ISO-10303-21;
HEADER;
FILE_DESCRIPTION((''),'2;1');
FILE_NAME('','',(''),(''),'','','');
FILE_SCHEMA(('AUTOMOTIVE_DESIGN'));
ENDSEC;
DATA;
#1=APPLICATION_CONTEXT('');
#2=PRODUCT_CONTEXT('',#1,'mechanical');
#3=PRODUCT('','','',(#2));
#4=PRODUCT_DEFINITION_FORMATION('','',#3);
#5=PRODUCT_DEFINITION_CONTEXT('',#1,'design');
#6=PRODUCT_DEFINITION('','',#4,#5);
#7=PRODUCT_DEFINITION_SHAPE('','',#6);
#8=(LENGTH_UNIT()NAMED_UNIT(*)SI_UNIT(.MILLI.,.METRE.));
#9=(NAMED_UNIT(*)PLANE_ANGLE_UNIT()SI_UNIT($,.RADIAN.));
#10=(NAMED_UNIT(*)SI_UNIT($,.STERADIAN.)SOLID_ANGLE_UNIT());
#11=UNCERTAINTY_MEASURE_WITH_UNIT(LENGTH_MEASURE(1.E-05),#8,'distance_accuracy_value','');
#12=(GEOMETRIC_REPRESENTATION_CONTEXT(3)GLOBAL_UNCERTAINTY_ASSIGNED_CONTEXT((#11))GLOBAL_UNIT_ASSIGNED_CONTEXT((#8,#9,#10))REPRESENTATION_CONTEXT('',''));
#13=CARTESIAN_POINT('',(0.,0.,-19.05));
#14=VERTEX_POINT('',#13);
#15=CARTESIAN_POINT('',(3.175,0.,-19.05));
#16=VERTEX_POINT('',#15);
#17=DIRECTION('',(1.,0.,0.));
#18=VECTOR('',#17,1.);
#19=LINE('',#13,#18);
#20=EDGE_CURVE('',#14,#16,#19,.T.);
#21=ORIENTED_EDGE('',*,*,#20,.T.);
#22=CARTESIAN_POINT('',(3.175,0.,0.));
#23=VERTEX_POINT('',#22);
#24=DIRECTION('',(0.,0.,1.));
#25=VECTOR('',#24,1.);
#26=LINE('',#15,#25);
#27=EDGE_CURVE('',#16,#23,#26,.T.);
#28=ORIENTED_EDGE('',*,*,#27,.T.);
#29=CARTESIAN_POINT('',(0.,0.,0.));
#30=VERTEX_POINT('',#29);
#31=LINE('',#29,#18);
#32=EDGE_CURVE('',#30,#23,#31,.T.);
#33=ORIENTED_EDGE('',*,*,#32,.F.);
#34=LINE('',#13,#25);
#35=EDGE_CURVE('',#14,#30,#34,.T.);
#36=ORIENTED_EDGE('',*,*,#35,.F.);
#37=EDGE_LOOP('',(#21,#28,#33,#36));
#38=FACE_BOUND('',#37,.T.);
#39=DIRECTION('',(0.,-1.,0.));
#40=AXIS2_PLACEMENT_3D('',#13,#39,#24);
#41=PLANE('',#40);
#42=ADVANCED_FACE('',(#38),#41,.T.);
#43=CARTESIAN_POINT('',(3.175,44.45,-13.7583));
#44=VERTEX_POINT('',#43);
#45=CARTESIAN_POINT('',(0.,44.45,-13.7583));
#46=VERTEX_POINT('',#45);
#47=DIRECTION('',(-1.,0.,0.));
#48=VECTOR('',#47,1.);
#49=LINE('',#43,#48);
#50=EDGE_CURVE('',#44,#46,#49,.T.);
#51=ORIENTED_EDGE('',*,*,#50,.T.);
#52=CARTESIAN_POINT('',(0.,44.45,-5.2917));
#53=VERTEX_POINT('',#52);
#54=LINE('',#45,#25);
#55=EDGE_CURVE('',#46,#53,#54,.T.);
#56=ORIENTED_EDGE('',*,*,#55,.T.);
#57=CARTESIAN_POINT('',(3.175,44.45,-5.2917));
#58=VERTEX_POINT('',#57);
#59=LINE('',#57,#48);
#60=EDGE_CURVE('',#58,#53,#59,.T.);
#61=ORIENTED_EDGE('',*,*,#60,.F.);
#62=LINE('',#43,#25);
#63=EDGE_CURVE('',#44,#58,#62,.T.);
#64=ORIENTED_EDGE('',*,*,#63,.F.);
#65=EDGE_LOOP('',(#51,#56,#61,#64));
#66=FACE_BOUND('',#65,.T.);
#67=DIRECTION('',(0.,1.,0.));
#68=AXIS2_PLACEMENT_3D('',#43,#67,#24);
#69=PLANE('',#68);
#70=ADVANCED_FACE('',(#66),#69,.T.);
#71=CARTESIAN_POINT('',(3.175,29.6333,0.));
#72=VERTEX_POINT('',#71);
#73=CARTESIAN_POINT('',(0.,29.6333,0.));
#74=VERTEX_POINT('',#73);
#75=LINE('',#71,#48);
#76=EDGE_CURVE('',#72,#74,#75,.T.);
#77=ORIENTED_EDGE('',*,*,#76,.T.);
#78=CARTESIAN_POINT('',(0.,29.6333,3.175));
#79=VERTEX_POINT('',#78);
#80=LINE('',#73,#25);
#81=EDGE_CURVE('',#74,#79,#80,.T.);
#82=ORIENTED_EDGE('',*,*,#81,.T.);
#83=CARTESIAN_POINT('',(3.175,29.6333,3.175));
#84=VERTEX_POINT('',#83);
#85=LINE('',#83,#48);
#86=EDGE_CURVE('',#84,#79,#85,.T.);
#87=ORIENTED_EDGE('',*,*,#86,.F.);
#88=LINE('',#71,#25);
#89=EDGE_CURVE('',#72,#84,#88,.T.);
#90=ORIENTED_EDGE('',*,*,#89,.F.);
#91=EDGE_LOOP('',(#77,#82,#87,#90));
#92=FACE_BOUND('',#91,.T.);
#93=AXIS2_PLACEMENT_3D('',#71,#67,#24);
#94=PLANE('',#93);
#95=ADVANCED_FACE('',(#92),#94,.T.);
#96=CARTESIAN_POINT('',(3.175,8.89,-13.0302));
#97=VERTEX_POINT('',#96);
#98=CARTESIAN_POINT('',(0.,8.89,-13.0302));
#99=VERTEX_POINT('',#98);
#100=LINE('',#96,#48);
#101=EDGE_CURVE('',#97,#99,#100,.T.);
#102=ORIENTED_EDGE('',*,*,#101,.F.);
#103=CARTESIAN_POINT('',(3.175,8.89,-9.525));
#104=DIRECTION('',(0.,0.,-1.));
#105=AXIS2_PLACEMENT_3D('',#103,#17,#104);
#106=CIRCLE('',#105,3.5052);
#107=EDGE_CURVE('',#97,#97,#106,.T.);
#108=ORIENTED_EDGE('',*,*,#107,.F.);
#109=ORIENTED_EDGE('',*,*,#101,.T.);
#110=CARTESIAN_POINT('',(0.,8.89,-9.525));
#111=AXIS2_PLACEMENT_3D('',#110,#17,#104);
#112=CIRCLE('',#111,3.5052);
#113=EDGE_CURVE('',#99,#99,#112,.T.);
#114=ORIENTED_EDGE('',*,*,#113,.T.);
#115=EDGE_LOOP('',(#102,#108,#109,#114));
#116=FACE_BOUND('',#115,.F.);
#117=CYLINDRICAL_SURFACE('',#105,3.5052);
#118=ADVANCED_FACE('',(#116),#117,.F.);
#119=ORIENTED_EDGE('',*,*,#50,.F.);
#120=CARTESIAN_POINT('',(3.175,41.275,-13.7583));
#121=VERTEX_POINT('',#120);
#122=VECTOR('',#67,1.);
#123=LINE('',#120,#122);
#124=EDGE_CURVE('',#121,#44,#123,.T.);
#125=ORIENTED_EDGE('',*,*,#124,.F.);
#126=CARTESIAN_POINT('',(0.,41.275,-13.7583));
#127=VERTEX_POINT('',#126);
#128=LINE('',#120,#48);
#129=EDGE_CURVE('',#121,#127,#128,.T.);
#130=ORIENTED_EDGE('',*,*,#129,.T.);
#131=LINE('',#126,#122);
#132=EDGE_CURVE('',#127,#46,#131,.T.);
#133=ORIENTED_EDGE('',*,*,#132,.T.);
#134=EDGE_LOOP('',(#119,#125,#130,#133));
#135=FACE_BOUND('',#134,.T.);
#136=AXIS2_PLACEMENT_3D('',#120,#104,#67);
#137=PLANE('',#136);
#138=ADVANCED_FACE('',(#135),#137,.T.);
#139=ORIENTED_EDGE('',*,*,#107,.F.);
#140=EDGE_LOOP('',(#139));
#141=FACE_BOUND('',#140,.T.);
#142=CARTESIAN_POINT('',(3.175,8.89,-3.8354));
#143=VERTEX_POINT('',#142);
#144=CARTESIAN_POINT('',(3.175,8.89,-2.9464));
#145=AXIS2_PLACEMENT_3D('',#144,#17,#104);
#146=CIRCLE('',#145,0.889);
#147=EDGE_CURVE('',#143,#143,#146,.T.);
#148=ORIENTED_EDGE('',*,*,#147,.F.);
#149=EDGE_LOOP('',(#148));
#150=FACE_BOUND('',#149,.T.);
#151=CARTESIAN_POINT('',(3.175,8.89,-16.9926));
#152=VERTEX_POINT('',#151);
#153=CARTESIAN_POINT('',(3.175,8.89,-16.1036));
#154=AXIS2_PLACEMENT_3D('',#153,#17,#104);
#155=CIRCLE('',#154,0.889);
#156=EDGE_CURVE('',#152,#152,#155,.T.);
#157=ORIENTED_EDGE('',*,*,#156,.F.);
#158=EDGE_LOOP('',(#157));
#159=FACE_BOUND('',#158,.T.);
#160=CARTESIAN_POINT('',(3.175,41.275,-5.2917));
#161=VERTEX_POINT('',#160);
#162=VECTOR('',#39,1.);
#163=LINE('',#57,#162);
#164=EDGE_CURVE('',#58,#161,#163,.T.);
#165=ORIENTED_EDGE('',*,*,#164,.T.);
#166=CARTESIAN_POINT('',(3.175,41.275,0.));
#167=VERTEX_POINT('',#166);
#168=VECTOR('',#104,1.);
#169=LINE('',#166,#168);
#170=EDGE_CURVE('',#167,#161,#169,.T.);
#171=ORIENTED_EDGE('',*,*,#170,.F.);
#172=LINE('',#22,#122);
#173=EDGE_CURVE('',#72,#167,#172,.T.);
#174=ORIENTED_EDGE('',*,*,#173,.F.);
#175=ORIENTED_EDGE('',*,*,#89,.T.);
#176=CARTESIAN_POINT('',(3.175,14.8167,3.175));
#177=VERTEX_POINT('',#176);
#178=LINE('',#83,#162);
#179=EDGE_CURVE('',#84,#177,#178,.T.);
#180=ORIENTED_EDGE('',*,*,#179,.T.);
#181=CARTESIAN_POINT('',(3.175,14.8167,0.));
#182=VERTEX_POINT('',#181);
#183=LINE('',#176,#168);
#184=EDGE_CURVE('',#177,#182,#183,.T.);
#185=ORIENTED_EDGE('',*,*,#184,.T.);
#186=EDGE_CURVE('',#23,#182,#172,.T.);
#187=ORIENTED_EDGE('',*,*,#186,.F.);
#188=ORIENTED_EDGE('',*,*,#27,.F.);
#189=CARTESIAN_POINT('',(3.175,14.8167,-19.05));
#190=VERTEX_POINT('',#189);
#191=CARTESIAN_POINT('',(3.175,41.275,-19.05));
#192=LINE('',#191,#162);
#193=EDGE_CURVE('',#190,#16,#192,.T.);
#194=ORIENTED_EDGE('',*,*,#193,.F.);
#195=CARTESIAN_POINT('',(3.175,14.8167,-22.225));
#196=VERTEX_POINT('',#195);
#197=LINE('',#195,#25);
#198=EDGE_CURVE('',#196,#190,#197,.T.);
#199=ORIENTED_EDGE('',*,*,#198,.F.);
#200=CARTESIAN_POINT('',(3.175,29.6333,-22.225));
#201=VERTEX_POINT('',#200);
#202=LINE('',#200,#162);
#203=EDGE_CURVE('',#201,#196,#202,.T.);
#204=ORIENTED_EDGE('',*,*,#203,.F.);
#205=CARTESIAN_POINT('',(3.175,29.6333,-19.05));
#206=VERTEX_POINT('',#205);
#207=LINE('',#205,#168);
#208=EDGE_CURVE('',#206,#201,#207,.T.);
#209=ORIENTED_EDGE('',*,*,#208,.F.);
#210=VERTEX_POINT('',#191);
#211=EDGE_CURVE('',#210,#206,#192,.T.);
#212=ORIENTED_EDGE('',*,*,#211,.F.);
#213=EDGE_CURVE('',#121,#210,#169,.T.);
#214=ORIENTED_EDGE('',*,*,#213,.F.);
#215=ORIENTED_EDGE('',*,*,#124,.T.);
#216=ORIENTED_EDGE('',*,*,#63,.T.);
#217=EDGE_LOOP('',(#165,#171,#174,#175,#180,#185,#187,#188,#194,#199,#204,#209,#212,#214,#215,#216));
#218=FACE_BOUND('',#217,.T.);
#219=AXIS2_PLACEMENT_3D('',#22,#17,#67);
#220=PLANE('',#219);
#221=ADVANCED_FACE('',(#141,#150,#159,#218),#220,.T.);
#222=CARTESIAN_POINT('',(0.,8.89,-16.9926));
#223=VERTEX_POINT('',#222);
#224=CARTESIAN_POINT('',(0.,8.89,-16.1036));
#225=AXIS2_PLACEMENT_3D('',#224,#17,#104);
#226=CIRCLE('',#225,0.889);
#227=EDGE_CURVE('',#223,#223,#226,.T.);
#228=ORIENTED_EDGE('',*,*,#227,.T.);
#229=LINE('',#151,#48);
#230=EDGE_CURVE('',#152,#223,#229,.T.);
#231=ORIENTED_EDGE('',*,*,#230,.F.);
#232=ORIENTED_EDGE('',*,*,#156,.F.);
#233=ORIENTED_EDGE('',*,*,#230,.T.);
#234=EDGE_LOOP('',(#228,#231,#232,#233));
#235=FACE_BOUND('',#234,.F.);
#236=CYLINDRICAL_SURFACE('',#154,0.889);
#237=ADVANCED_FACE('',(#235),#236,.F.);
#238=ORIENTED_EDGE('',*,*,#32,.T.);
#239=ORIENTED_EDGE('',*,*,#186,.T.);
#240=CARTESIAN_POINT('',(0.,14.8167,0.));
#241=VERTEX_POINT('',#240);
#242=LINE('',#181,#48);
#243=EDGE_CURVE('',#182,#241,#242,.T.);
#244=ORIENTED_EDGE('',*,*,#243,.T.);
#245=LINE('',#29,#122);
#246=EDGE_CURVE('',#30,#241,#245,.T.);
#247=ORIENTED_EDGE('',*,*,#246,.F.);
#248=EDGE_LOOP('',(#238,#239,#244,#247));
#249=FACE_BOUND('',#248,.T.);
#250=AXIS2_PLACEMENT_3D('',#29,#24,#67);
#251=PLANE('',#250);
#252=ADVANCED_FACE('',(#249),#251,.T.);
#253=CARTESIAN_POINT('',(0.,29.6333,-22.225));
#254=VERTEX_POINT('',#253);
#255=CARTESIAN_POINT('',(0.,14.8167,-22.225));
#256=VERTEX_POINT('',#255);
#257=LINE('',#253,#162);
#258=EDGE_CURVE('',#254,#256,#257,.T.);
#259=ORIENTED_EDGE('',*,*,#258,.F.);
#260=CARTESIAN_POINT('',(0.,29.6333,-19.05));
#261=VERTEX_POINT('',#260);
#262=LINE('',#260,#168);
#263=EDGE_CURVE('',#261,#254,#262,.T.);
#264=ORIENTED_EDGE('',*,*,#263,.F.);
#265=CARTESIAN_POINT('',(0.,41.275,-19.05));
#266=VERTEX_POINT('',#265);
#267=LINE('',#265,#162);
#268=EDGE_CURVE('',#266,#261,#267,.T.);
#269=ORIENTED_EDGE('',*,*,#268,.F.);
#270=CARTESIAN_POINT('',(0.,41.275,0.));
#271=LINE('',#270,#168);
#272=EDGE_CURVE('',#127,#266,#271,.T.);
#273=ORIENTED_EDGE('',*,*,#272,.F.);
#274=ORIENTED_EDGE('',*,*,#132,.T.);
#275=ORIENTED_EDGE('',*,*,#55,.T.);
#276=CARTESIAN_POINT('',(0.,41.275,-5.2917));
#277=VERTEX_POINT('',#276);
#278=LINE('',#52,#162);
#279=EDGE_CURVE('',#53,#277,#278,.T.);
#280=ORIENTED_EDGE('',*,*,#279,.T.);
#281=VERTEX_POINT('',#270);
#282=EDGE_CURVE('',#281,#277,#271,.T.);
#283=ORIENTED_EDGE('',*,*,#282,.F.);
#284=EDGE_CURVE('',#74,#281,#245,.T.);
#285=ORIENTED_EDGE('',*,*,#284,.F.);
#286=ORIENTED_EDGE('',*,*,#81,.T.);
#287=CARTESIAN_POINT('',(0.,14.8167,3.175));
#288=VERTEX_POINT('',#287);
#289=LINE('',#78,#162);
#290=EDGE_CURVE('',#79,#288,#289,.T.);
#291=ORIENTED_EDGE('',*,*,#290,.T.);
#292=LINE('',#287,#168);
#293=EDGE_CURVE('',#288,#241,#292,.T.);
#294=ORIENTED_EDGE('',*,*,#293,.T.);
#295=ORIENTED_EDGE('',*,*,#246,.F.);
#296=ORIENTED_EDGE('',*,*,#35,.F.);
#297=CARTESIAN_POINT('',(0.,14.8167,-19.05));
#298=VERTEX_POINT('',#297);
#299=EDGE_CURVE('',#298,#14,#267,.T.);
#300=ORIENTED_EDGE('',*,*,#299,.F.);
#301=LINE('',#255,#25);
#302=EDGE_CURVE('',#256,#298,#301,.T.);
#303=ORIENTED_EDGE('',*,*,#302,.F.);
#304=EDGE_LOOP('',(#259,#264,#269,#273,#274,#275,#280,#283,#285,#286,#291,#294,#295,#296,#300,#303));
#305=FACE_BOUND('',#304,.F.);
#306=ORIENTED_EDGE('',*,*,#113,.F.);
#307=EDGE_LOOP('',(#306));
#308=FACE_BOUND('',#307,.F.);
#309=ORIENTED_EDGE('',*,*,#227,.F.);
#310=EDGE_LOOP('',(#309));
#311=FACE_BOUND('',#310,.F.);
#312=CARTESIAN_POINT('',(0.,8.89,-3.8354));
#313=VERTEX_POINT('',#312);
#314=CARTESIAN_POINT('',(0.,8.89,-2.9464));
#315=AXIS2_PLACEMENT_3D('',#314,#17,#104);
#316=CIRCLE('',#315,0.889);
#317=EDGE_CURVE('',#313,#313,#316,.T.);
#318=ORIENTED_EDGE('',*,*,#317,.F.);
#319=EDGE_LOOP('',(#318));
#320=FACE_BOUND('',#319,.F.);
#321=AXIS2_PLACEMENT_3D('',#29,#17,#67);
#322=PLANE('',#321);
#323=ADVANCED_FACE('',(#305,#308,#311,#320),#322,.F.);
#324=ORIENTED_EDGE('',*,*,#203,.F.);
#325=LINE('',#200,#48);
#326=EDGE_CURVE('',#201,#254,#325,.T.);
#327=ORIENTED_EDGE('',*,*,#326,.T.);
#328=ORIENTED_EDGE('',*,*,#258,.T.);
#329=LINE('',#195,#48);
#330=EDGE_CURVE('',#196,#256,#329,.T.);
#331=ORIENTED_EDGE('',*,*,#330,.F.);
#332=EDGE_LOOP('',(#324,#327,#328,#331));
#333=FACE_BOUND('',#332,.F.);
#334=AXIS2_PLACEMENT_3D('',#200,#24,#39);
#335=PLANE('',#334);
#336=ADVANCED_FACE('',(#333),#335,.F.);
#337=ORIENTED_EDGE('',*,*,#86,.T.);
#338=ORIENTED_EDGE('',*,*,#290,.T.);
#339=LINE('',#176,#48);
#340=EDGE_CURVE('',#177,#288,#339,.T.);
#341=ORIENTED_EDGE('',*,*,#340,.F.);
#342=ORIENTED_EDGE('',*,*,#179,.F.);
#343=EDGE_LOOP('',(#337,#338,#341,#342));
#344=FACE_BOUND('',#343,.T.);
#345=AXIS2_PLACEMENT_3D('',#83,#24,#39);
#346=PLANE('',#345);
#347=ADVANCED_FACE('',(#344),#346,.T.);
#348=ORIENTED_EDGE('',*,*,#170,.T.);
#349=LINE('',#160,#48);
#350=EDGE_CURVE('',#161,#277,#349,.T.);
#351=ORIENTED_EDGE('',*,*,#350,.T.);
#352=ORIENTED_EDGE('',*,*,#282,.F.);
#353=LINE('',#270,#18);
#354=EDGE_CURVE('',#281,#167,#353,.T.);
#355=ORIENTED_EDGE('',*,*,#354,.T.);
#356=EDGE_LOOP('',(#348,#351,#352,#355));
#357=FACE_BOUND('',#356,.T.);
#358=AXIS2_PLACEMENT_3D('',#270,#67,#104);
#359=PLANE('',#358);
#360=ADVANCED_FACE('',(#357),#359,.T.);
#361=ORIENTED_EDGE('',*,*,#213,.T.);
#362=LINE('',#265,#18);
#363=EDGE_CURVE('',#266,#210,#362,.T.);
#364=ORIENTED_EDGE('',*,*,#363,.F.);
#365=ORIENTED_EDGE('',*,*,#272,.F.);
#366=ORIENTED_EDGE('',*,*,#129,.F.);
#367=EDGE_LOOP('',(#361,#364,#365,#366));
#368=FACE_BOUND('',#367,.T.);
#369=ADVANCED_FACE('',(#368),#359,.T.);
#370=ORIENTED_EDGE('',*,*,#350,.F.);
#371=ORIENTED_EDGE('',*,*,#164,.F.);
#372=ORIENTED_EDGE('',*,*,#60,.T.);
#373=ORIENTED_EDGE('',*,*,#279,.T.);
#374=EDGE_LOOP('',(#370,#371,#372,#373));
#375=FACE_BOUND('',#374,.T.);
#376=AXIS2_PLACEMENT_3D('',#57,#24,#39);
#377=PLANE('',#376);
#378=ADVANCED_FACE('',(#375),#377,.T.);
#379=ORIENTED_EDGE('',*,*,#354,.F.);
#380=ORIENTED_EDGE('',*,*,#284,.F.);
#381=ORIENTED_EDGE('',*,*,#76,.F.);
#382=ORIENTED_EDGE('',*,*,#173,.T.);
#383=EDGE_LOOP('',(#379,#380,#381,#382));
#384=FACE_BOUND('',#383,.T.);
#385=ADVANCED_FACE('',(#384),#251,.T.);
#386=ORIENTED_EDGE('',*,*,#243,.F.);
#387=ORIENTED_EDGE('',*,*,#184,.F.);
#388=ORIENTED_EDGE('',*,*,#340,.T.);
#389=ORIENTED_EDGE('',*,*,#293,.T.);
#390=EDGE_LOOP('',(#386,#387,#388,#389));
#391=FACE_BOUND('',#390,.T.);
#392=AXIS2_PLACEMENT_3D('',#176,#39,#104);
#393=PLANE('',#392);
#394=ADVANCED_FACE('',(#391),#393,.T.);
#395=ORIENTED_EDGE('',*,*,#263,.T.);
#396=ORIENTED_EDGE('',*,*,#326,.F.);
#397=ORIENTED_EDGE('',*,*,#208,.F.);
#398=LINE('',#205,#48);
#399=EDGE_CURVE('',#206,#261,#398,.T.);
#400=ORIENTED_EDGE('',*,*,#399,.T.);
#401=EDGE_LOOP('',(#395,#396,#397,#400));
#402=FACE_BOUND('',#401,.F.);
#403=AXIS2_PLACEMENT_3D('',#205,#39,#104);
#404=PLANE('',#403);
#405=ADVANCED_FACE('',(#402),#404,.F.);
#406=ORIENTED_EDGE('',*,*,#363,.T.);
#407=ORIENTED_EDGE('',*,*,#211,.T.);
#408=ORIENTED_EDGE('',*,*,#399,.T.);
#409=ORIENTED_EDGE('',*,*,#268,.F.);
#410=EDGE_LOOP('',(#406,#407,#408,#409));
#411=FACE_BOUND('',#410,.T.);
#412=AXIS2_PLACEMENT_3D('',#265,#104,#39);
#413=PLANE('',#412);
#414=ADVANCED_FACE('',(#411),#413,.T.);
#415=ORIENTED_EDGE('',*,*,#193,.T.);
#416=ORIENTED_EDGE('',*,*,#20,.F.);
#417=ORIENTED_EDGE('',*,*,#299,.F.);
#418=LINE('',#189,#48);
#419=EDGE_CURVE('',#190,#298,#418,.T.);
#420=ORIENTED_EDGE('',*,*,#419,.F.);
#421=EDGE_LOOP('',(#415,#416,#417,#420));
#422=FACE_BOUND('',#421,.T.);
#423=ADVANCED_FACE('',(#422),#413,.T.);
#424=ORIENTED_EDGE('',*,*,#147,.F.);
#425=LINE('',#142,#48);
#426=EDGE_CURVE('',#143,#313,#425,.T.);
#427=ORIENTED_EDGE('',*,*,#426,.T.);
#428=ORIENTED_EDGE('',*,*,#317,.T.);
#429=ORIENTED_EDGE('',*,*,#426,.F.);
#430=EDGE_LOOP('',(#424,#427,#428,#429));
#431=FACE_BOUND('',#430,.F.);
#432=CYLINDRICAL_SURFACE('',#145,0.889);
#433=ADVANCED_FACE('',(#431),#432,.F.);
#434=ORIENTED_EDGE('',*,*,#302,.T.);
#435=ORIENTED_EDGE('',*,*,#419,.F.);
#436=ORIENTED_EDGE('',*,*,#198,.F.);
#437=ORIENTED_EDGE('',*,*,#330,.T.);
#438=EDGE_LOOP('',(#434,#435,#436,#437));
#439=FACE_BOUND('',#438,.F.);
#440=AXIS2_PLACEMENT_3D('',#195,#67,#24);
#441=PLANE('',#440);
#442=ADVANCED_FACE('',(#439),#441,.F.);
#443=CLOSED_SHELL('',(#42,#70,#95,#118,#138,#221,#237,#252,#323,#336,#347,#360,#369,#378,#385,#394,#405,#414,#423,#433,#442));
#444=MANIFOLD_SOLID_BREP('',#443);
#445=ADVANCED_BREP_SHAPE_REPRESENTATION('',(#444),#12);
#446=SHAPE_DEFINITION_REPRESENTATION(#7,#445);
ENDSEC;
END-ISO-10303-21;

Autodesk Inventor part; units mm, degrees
ref_plane "YZ Plane" through (0, 0, 0) normal (1, 0, 0) x (0, 1, 0)
ref_plane "XZ Plane" through (0, 0, 0) normal (0, 1, 0) x (-1, 0, 0)
ref_plane "XY Plane" through (0, 0, 0) normal (0, 0, 1) x (1, 0, 0)
sketch "Sketch1" plane through (0, 0, 0) normal (1, 0, 0) x (0, 1, 0)
  line L0 (0, 0) -> (41.275, 0)
  line L1 (41.275, 0) -> (41.275, -19.05)
  line L2 (41.275, -19.05) -> (0, -19.05)
  line L3 (0, -19.05) -> (0, 0)
  dimension "d0" = 41.275
  dimension "d1" = 19.05
extrude "Extrusion1" add sketch "Sketch1" along normal blind 3.175
sketch "Sketch2" plane through (3.175, 0, 0) normal (1, 0, 0) x (0, 0, -1)
  line L0 (0, 41.275) -> (0, 0) projected
  line L1 (0, 0) -> (19.05, 0) projected
  line L2 (19.05, 0) -> (19.05, 41.275) projected
  line L3 (19.05, 41.275) -> (0, 41.275) projected
  line L4 (5.2917, 41.275) -> (13.7583, 41.275)
  line L5 (13.7583, 41.275) -> (13.7583, 44.45)
  line L6 (13.7583, 44.45) -> (5.2917, 44.45)
  line L7 (5.2917, 44.45) -> (5.2917, 41.275)
  line L8 (19.05, 29.6333) -> (22.225, 29.6333)
  line L9 (22.225, 29.6333) -> (22.225, 14.8167)
  line L10 (22.225, 14.8167) -> (19.05, 14.8167)
  line L11 (19.05, 14.8167) -> (19.05, 29.6333)
  line L12 (0, 29.6333) -> (-3.175, 29.6333)
  line L13 (-3.175, 29.6333) -> (-3.175, 14.8167)
  line L14 (-3.175, 14.8167) -> (0, 14.8167)
  line L15 (0, 14.8167) -> (0, 29.6333)
  dimension "d4" = 8.4667
  dimension "d5" = 3.175
  dimension "d6" = 5.2917
  dimension "d7" = 3.175
  dimension "d8" = 14.8167
  dimension "d9" = 3.175
  dimension "d10" = 14.8167
  dimension "d11" = 14.8167
extrude "Extrusion2" add sketch "Sketch2" against normal blind 3.175 contours L0 L14 L13 L12 | L7 L6 L5 L3 | L8 L9 L10 L2
sketch "Sketch3" plane through (3.175, 0, 0) normal (1, 0, 0) x (0, 0, -1)
  line L0 (-3.175, 29.6333) -> (-3.175, 14.8167) projected
  line L1 (0, 0) -> (19.05, 0) projected
  circle A0 centre (9.525, 8.89) radius 3.5052
  circle A1 centre (16.1036, 8.89) radius 0.889
  circle A2 centre (2.9464, 8.89) radius 0.889
  dimension "d14" = 7.0104
  dimension "d15" = 12.7
  dimension "d16" = 8.89
  dimension "d17" = 1.778
  dimension "d18" = 1.778
  dimension "d19" = 13.1572
  dimension "d20" = 6.5786
extrude "Extrusion3" cut sketch "Sketch3" against normal blind 3.175
equation "\"d0\" = angleHeight - thick"
equation "\"d1\" = angleDepth - 2 * thick"
equation "\"d2\" = thick"
equation "\"d4\" = 0.333333 * angleDepth"
equation "\"d5\" = thick"
equation "\"d6\" = 0.333333 * angleDepth - thick"
equation "\"d7\" = thick"
equation "\"d8\" = 0.333333 * angleHeight"
equation "\"d9\" = thick"
equation "\"d10\" = 0.333333 * angleHeight"
equation "\"d11\" = 0.333333 * angleHeight"
equation "\"d12\" = thick"
equation "\"d14\" = hornCenter"
equation "\"d15\" = 0.5 * angleDepth"
equation "\"d16\" = hornOffset"
equation "\"d17\" = hornHole"
equation "\"d18\" = hornHole"
equation "\"d19\" = hornDia"
equation "\"d20\" = 0.5 * hornDia"
equation "\"d21\" = thick"
equation "\"angleHeight\" = 44.45"
equation "\"angleDepth\" = 25.4"
equation "\"hornCenter\" = 7.0104"
equation "\"hornOffset\" = 8.89"
equation "\"thick\" = 3.175"
equation "\"hornHole\" = 1.778"
equation "\"hornDia\" = 13.1572"
properties part number "AngleLower"
